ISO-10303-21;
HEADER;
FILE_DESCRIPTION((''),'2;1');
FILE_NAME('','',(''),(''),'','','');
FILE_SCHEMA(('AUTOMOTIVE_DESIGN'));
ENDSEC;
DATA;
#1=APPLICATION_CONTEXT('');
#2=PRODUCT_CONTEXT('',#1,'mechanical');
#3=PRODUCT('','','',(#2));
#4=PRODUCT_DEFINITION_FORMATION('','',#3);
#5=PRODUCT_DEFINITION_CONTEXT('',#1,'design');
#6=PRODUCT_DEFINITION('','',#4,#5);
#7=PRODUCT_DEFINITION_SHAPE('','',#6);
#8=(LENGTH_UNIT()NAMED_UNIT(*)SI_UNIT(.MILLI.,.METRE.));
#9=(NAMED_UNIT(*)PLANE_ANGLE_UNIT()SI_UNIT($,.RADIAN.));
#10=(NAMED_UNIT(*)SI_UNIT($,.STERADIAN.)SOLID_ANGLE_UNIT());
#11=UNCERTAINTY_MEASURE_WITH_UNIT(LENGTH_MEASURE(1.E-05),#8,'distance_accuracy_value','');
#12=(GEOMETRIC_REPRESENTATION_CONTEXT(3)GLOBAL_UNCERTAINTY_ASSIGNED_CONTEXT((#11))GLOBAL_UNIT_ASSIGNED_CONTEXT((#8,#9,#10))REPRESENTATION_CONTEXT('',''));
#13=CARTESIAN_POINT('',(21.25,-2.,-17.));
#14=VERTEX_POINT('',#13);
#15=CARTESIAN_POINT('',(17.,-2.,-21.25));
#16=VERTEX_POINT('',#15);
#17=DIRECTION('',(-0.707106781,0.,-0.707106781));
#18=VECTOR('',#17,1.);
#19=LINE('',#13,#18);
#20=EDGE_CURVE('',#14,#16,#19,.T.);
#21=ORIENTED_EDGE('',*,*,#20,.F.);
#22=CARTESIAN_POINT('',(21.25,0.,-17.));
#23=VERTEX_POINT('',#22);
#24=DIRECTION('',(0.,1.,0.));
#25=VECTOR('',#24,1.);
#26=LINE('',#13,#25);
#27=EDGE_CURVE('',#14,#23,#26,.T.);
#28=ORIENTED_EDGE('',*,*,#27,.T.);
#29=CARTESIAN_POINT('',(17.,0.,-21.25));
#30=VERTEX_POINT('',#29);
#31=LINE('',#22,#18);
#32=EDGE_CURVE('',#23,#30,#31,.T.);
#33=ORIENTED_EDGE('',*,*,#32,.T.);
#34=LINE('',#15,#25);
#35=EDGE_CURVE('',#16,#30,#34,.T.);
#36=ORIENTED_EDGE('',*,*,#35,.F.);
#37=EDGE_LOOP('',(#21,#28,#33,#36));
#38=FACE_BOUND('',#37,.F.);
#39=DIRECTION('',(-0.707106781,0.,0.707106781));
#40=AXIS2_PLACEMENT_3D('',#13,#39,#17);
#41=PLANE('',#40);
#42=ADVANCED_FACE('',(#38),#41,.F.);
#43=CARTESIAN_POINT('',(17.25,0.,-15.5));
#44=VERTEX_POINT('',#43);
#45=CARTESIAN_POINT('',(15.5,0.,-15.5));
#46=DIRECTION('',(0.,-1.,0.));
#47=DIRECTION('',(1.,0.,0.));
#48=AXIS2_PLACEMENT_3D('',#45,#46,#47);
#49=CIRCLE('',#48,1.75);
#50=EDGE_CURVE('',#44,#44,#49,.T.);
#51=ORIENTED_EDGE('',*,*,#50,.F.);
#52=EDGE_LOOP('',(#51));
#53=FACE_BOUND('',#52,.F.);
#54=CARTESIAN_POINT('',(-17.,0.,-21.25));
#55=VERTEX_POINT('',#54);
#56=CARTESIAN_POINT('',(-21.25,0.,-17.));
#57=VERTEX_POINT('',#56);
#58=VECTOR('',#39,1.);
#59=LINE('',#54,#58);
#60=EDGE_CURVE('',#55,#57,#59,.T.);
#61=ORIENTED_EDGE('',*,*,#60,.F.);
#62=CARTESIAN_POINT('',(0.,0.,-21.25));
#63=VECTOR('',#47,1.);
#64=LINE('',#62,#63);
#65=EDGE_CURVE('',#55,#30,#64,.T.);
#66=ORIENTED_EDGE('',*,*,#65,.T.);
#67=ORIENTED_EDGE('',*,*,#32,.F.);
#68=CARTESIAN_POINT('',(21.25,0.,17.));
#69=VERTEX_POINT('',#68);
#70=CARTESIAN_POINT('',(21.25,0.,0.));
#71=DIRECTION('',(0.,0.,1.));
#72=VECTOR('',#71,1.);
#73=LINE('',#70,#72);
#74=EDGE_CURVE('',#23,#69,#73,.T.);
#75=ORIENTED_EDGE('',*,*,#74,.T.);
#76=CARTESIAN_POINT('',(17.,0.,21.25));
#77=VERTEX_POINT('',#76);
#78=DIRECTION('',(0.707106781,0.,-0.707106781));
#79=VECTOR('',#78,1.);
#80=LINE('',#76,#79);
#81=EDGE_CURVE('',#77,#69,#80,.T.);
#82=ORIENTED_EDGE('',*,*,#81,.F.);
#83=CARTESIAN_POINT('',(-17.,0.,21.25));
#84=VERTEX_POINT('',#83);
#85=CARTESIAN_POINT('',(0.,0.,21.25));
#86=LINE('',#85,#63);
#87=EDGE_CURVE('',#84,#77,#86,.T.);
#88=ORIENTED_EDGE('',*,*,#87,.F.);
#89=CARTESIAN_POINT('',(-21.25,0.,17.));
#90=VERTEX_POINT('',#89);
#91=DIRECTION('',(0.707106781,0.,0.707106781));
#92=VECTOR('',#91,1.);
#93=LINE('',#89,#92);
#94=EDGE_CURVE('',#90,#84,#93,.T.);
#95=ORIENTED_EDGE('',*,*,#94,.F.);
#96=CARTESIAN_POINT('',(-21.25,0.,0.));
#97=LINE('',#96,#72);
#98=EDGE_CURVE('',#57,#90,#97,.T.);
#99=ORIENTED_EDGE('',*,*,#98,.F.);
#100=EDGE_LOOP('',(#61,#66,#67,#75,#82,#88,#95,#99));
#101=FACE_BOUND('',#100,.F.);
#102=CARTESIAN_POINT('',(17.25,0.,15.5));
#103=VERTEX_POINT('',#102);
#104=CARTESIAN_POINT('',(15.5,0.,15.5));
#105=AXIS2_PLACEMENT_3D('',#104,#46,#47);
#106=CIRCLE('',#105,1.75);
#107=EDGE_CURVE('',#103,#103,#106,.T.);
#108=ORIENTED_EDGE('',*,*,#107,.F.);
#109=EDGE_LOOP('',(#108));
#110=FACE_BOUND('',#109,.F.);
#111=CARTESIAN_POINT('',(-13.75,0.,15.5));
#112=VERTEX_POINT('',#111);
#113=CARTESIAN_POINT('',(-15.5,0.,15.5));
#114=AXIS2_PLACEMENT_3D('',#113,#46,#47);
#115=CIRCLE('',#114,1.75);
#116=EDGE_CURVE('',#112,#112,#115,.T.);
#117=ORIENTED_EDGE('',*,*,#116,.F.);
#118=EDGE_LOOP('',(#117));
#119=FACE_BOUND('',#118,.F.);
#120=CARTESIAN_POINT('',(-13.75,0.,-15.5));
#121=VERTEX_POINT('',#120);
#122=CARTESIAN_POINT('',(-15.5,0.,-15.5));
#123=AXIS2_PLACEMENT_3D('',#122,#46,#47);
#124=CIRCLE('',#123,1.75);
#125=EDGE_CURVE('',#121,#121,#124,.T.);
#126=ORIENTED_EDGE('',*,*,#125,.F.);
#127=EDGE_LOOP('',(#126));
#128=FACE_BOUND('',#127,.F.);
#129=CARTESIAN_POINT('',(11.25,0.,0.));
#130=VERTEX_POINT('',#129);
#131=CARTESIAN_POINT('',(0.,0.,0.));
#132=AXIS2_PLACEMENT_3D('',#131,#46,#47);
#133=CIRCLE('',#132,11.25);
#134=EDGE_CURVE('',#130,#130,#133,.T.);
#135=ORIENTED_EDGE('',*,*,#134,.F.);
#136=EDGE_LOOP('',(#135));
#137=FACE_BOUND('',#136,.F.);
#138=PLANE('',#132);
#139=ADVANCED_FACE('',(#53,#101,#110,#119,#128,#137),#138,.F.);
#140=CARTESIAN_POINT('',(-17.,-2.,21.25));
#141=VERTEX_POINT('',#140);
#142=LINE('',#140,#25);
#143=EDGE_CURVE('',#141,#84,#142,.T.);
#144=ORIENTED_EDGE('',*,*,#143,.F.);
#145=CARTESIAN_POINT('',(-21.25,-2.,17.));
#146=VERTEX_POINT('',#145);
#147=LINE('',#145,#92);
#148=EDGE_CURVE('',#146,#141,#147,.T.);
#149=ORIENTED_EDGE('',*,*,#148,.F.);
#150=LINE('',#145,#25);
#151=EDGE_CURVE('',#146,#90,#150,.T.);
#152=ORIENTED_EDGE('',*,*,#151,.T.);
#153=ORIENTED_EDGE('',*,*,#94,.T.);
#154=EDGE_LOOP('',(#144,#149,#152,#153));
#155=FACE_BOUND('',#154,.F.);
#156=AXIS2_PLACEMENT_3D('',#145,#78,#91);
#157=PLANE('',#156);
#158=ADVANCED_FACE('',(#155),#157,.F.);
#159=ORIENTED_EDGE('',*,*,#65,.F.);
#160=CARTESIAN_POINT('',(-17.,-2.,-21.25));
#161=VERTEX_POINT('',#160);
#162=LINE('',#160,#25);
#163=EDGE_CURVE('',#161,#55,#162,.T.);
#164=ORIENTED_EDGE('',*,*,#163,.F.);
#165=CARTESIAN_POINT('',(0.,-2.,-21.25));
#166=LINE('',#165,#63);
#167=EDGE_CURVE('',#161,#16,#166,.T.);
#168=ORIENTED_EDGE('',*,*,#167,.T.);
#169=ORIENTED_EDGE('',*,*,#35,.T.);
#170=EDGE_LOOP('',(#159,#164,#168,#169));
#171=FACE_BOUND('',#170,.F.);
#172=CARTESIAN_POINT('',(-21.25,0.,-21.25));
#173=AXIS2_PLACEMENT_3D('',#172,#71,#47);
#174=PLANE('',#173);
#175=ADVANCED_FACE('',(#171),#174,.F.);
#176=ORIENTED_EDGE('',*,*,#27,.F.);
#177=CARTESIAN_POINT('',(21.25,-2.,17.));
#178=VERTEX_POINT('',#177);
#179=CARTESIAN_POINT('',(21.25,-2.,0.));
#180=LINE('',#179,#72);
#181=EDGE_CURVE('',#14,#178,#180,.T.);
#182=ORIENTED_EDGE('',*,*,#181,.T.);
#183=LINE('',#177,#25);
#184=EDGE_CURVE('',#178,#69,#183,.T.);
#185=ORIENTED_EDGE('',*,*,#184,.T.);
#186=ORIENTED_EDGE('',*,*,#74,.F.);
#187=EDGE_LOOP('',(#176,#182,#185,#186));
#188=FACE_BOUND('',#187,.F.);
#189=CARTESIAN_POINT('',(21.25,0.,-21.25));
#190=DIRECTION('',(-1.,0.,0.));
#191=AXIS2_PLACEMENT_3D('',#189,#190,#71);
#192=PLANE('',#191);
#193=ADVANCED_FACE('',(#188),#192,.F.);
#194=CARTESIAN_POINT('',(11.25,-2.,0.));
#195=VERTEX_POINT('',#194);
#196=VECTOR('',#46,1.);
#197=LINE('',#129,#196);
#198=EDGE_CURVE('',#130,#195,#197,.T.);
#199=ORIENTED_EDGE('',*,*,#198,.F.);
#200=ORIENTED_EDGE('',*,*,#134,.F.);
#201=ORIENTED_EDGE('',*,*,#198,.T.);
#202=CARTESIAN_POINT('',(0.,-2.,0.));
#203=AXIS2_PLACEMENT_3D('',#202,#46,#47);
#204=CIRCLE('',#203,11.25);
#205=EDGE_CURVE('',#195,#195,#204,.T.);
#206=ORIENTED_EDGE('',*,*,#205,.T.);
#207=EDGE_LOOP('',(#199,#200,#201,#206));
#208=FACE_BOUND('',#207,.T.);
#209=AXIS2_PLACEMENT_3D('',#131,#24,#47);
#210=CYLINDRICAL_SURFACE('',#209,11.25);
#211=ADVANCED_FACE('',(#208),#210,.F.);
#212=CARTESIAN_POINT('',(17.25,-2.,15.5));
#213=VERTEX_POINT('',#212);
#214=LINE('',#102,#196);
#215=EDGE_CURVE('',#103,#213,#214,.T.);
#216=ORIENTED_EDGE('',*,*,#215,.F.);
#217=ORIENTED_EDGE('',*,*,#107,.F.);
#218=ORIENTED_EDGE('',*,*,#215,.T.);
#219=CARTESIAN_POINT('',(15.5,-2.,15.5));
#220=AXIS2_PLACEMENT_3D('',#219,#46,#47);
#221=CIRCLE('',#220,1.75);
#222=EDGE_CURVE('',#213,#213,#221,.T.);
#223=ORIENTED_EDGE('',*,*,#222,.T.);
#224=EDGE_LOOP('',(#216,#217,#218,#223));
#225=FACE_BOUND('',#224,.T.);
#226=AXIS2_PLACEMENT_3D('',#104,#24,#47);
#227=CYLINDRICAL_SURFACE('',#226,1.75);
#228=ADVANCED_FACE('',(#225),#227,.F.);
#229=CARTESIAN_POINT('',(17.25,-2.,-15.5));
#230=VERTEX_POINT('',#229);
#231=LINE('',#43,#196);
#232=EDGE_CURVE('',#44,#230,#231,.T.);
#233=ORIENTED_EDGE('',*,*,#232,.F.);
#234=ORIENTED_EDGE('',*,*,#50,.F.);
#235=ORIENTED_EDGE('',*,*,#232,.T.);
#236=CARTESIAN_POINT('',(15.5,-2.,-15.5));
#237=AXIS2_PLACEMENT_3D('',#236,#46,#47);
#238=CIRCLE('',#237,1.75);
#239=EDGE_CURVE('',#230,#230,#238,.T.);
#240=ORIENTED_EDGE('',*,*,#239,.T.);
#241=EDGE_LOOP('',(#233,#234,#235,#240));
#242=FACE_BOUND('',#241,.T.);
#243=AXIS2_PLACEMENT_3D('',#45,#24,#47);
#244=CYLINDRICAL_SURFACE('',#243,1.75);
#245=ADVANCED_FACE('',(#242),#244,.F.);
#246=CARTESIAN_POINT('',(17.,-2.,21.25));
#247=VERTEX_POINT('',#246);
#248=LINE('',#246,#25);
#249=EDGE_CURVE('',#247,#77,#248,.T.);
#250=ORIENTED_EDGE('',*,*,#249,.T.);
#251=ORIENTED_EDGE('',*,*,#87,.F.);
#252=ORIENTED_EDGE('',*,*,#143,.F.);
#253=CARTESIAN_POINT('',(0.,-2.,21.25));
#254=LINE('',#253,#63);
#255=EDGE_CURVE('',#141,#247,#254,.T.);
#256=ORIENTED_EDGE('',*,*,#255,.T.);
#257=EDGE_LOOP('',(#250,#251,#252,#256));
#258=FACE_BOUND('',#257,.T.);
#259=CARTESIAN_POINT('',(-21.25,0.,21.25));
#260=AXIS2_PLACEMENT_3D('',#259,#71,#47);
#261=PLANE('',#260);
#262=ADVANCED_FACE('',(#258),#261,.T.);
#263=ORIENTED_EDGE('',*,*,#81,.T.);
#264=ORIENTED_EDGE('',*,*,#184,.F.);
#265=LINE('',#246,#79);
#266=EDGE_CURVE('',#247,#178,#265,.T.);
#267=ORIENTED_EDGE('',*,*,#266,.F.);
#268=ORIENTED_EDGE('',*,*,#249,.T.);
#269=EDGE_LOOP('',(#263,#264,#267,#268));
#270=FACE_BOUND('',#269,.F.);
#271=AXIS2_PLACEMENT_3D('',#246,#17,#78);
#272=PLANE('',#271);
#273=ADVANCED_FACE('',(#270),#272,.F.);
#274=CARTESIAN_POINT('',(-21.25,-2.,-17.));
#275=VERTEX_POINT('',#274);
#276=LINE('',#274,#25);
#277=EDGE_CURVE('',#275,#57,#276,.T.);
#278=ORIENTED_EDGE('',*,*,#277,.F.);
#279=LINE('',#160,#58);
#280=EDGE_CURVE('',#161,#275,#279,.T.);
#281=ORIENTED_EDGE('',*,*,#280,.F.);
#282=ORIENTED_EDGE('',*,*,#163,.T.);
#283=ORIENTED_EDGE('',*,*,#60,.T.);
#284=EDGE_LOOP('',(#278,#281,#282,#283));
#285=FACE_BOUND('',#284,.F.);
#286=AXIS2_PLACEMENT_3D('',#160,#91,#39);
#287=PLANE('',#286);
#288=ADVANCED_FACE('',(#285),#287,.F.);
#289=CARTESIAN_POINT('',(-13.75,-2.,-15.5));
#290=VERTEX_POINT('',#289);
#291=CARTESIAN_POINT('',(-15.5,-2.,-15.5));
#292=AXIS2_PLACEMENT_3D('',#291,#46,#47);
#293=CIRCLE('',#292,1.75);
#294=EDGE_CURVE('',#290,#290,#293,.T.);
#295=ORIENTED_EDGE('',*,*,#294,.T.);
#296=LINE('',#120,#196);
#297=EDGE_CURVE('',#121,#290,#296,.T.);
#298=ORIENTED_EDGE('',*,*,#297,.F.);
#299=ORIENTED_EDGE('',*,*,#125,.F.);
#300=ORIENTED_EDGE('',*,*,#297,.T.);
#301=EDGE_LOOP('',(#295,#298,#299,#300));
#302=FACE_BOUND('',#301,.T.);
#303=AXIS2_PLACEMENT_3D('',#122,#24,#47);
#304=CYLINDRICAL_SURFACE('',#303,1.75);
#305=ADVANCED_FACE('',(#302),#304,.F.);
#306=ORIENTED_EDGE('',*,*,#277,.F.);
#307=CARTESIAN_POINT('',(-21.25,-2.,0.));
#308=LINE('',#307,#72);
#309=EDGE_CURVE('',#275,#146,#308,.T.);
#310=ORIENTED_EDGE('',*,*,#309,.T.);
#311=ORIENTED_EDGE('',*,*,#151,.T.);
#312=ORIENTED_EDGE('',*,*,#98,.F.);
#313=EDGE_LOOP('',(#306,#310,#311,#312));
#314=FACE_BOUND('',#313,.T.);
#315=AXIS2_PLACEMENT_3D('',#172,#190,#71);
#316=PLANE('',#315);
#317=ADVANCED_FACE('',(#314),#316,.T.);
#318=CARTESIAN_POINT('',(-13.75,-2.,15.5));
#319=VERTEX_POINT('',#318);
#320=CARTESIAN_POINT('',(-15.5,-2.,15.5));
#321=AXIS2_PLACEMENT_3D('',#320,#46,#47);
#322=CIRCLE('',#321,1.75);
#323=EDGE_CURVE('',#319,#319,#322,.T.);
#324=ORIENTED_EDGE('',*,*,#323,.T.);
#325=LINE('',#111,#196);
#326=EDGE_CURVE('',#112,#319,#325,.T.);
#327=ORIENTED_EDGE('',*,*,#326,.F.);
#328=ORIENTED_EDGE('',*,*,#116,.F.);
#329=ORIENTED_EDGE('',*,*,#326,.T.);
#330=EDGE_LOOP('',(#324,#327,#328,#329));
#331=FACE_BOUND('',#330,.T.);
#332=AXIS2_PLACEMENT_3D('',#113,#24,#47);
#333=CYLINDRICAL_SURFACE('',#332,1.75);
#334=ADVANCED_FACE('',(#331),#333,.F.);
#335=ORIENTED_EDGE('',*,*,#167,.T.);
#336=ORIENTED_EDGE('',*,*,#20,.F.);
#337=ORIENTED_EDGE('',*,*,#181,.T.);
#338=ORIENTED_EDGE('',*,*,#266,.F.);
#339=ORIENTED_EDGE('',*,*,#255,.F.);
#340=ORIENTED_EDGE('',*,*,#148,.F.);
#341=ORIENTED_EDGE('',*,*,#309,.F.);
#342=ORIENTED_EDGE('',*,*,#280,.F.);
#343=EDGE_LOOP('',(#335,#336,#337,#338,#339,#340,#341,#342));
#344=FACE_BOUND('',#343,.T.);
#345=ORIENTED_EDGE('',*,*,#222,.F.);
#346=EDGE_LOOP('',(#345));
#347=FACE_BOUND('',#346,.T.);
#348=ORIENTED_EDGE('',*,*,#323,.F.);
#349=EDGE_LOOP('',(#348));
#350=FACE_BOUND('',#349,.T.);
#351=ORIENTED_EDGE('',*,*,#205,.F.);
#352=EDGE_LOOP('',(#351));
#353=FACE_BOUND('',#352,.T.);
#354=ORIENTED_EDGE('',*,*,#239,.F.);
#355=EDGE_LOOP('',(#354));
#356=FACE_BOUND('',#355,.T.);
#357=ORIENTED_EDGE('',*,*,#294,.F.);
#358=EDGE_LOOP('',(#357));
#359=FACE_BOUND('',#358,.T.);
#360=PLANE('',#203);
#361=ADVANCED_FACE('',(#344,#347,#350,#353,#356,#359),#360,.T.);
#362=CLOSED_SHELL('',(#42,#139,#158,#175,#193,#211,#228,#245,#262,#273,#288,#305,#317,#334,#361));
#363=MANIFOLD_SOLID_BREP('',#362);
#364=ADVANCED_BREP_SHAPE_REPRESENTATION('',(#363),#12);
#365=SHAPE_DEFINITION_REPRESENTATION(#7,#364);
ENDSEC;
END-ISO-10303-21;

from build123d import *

# Parameters (mm, degrees)
F0_W     = 42.5
F0_H     = 42.5
F0_R     = 1.75
F0_R_2   = 11.25
F1_DEPTH = 2
F3_DEPTH = 2


with BuildPart() as f1:
    # F0 (on Front) → F1 (new body)
    with BuildSketch(Plane.XZ):
        Rectangle(F0_W, F0_H)
        with Locations((-15.5, -15.5)):
            Circle(F0_R, mode=Mode.SUBTRACT)
        with Locations((15.5, -15.5)):
            Circle(F0_R, mode=Mode.SUBTRACT)
        with Locations((-15.5, 15.5)):
            Circle(F0_R, mode=Mode.SUBTRACT)
        Circle(F0_R_2, mode=Mode.SUBTRACT)
        with Locations((15.5, 15.5)):
            Circle(F0_R, mode=Mode.SUBTRACT)
    extrude(amount=F1_DEPTH)

    # F2 (on face) → F3 (cut, through all)
    with BuildSketch(Plane.XZ.offset(2)):
        Polygon((-21.25, 21.25), (-21.25, 17), (-17, 21.25), align=None)
        Polygon((17, 21.25), (21.25, 17), (21.25, 21.25), align=None)
        Polygon((21.25, -17), (17, -21.25), (21.25, -21.25), align=None)
        Polygon((-21.25, -17), (-21.25, -21.25), (-17, -21.25), align=None)
    extrude(amount=-F3_DEPTH, mode=Mode.SUBTRACT)


solid = f1.part
